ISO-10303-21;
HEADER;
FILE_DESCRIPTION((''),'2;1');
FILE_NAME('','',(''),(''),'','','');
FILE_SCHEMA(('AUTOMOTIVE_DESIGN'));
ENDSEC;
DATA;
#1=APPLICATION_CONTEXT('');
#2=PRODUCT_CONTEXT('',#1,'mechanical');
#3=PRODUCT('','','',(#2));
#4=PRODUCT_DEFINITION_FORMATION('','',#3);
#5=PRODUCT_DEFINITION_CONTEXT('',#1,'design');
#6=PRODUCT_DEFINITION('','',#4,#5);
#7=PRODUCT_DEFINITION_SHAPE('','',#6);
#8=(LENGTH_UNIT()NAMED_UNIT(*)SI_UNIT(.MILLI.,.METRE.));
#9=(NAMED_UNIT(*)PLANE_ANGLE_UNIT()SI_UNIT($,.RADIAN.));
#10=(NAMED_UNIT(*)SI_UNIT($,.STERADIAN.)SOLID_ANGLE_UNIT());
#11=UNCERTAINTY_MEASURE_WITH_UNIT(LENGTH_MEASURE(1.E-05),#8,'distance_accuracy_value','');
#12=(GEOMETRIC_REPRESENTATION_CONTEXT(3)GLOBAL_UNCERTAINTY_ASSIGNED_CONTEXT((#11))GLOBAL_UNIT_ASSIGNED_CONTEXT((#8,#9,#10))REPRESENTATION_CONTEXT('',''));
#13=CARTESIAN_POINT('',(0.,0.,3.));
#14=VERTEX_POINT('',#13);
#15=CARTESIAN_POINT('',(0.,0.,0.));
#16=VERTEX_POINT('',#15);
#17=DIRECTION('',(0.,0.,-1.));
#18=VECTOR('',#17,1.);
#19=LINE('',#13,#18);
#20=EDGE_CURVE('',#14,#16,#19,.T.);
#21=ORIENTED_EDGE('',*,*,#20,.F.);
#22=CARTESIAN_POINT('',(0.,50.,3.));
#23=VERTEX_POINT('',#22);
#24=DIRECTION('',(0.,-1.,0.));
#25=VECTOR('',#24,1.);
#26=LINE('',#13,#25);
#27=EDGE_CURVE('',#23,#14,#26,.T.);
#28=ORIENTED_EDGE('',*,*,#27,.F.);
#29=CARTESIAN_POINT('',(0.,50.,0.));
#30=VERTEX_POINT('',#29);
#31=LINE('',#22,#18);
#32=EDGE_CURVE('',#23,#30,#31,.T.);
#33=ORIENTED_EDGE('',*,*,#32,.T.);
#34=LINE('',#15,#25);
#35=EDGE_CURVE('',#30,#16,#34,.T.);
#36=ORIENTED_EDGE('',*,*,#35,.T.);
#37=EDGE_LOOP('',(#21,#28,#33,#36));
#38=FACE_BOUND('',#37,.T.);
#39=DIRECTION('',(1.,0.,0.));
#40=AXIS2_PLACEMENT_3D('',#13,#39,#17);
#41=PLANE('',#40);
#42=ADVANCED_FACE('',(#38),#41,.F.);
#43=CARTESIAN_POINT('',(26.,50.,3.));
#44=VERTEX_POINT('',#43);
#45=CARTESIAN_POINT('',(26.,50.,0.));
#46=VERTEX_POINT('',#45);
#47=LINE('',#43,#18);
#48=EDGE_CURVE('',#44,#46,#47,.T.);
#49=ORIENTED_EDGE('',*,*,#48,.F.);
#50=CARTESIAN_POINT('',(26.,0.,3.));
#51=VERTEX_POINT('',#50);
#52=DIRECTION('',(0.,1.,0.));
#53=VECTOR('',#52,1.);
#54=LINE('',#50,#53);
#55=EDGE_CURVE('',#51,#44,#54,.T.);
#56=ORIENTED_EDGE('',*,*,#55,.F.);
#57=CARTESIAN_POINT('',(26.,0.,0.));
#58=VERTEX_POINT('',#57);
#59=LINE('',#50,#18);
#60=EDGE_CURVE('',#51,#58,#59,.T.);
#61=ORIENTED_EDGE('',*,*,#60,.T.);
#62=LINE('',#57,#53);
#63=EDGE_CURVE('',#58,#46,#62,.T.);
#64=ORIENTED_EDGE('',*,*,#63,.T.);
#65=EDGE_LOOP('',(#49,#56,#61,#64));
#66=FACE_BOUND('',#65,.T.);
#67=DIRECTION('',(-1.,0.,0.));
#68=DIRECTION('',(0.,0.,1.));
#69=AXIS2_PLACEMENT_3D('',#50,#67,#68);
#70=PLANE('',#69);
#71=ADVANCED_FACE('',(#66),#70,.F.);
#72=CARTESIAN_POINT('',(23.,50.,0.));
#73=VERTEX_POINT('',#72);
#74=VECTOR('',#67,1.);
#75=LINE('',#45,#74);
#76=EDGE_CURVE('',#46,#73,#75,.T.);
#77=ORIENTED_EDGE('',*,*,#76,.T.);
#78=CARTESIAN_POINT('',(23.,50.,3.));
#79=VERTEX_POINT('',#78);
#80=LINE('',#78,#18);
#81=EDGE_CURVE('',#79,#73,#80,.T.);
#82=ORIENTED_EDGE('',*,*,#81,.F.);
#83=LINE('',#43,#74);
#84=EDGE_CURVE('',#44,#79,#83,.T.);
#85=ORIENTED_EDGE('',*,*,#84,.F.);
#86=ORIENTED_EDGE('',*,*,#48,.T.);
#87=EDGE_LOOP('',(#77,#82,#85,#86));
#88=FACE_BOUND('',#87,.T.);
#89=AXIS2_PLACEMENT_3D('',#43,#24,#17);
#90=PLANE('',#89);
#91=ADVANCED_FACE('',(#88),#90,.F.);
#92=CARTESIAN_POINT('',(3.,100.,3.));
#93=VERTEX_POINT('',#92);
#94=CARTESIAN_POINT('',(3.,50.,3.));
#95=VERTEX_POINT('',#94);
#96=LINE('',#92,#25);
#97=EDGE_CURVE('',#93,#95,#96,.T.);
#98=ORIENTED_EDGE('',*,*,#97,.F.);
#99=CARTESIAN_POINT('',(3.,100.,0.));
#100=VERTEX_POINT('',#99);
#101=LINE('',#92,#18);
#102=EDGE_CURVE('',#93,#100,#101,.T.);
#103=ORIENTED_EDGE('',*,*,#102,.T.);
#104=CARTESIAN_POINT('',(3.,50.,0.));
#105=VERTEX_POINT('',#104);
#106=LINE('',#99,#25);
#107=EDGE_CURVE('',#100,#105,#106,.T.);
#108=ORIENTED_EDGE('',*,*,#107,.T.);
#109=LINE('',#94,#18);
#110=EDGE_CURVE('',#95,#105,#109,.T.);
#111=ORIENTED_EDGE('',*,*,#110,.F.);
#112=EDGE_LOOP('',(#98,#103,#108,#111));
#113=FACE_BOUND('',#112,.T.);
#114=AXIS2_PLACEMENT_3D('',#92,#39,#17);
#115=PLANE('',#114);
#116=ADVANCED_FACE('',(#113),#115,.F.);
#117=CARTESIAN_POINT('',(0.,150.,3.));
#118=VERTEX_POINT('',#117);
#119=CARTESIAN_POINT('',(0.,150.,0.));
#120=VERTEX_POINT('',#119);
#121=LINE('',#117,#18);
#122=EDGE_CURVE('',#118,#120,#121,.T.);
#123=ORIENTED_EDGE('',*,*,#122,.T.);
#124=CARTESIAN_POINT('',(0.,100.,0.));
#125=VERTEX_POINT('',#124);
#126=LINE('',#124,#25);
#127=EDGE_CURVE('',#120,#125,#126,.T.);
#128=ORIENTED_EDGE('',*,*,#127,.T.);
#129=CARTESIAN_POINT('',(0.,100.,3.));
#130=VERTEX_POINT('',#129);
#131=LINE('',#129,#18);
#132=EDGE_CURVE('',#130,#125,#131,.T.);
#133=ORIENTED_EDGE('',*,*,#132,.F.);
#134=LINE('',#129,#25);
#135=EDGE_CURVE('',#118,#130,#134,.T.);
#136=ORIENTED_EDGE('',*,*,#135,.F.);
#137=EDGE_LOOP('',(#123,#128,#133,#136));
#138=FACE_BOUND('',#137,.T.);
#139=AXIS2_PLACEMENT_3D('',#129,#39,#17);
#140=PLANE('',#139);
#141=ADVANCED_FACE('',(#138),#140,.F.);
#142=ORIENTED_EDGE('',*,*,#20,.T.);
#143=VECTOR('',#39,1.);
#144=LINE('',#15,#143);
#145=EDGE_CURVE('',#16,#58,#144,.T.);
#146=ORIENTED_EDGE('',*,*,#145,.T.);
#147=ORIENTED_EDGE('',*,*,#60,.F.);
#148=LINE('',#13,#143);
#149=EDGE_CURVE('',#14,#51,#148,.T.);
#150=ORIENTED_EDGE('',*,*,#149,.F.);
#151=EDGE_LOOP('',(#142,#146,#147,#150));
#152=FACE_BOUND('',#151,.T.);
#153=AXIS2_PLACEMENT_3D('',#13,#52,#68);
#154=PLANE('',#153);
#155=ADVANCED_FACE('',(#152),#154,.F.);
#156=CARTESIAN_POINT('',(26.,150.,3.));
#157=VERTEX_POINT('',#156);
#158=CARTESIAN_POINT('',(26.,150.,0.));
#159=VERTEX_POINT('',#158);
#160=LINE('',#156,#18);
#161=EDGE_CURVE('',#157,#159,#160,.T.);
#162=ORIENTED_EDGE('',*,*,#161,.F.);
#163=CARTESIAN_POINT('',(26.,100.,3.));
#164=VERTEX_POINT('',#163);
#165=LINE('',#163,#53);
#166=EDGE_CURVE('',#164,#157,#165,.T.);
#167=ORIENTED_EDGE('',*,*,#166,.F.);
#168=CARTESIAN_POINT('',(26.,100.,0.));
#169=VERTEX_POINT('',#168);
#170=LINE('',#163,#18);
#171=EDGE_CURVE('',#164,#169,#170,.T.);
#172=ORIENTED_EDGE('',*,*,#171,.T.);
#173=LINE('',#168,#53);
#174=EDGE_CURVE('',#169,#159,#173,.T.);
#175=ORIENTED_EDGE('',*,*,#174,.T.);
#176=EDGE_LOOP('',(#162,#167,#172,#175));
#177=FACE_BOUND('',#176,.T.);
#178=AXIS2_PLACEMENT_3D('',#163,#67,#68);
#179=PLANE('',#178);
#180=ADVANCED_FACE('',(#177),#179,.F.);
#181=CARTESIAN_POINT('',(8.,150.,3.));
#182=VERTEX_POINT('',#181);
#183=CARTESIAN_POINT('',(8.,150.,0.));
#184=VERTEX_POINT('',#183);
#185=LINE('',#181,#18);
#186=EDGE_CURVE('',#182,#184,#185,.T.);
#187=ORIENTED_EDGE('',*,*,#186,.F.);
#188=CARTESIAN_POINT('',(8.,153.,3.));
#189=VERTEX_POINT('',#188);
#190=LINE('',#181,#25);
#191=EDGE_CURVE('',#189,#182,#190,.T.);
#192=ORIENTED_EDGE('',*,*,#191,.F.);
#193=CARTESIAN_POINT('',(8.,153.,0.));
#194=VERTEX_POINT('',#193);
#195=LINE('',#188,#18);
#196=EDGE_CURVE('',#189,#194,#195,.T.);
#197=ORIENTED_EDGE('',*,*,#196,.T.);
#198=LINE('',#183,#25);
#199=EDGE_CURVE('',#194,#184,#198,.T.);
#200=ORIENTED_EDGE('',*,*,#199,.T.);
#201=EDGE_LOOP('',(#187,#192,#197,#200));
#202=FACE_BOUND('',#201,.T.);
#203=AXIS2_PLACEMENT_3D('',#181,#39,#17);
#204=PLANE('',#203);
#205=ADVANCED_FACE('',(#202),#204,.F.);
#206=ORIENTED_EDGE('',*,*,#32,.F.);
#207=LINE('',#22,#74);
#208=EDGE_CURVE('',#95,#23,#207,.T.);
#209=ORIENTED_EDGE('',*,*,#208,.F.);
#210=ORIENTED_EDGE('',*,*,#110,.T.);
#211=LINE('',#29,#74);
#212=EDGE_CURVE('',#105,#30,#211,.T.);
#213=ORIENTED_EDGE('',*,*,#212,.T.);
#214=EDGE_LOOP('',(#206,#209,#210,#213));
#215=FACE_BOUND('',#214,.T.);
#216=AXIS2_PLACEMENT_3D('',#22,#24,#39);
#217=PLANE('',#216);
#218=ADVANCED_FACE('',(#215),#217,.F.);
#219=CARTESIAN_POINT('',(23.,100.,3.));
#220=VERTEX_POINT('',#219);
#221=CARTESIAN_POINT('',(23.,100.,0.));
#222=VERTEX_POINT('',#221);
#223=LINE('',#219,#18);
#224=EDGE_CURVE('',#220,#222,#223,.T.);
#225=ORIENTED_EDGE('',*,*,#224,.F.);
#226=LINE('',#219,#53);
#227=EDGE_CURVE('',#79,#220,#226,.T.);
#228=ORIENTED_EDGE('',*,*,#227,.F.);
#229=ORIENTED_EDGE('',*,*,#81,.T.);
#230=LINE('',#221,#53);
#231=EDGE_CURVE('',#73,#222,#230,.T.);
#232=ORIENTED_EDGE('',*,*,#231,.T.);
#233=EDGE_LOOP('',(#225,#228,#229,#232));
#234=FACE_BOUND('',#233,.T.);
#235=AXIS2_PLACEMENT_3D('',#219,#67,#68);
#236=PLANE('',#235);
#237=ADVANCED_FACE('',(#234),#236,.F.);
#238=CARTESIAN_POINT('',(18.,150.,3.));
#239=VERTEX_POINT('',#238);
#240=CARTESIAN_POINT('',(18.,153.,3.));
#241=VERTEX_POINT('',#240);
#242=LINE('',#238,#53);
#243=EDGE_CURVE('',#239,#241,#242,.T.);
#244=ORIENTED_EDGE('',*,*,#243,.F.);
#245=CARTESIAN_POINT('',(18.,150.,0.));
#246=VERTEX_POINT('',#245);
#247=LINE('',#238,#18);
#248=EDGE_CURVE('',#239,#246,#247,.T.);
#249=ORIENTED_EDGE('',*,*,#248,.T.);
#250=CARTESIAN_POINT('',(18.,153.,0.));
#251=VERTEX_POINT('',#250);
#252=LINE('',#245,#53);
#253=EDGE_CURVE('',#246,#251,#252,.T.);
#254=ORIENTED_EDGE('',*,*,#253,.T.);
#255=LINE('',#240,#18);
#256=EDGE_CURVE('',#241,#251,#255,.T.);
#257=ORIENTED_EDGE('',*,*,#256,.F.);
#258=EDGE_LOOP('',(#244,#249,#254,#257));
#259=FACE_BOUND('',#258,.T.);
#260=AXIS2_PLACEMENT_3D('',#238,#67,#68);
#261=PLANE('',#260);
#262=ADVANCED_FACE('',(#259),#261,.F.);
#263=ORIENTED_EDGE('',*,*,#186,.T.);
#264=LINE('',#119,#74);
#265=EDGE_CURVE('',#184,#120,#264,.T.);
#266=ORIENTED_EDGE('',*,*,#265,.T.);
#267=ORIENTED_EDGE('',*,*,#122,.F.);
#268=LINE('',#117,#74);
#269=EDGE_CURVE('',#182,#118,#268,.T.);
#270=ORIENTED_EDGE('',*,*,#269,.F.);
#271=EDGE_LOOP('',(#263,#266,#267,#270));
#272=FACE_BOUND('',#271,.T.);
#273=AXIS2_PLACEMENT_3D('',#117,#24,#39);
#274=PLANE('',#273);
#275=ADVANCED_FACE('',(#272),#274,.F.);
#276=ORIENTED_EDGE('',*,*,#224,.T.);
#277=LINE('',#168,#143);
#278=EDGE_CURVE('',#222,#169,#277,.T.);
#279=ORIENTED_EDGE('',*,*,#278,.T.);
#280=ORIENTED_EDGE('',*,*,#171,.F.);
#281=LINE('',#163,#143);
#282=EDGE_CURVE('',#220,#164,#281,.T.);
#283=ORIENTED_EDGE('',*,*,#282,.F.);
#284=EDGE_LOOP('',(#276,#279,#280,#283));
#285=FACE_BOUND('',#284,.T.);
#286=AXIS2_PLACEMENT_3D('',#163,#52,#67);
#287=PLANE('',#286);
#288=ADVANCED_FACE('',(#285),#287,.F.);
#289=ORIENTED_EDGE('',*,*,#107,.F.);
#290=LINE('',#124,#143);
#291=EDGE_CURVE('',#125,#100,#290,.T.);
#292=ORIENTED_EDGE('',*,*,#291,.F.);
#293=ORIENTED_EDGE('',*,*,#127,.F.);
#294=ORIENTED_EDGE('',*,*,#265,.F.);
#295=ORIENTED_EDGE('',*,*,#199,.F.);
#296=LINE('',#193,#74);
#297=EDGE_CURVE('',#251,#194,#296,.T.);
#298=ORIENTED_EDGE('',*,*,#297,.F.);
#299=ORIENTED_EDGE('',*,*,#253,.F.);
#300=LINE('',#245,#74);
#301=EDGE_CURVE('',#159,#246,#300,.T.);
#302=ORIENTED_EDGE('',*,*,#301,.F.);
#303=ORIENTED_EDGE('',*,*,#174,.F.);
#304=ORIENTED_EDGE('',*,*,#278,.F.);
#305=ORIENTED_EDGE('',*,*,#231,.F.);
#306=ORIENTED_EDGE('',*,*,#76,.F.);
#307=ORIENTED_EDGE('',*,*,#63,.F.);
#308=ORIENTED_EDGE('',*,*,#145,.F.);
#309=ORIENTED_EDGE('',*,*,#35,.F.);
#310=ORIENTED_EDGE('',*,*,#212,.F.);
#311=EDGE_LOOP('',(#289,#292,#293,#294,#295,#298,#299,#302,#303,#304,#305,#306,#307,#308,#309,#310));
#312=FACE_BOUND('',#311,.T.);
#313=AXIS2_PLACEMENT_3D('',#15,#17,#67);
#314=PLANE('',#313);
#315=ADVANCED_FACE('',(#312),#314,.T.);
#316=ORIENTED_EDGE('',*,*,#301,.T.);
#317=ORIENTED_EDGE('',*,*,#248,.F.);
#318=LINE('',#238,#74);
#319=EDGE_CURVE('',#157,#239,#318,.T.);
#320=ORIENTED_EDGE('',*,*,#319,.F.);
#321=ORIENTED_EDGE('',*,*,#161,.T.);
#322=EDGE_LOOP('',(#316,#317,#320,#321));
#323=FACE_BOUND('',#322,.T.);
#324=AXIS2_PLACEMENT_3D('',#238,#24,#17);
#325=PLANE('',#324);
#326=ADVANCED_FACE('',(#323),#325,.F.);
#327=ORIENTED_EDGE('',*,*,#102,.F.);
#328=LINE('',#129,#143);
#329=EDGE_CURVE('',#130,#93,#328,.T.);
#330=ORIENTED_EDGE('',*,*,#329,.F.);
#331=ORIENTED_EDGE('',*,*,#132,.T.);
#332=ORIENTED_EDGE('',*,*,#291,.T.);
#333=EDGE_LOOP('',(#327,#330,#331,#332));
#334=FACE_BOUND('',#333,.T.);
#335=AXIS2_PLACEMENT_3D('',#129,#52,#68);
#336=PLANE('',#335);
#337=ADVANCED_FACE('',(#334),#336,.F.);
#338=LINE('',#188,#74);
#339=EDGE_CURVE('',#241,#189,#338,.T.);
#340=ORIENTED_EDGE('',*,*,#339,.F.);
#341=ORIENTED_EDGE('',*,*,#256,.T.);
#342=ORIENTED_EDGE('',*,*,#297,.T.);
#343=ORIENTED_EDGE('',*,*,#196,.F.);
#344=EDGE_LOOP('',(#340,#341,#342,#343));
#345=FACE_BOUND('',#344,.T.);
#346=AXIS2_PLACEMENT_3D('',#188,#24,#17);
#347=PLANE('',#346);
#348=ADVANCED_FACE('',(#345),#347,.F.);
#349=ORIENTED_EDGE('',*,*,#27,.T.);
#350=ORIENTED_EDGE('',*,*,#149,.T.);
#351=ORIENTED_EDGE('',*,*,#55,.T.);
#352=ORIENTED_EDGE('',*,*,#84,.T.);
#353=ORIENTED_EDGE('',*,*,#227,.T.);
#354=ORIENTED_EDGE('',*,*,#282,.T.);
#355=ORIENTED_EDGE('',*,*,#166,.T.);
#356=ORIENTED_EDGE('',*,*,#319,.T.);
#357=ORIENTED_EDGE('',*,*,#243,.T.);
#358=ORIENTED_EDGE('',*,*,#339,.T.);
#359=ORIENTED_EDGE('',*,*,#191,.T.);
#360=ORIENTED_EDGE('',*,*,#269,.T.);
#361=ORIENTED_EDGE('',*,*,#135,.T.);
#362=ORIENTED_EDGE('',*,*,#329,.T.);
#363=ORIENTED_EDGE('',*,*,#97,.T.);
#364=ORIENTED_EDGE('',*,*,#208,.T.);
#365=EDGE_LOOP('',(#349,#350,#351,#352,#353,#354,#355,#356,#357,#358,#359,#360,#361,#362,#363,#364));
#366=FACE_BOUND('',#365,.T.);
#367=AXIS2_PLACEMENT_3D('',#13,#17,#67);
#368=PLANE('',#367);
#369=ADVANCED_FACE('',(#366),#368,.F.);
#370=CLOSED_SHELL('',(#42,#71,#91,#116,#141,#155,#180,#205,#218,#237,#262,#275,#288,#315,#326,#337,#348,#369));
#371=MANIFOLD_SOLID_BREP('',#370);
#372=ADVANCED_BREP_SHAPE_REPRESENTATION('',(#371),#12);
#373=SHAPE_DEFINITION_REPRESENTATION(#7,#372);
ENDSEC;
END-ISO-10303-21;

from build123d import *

# Parameters (mm, degrees)
BOSS_EXTRUDE1_DEPTH = 3


with BuildPart() as part:
    # Sketch1 → Boss-Extrude1 (new body)
    with BuildSketch(Plane.XY):
        Polygon((0, 100), (0, 150), (8, 150), (8, 153), (18, 153), (18, 150), (26, 150), (26, 100), (23, 100), (23, 50), (26, 50), (26, 0), (0, 0), (0, 50), (3, 50), (3, 100), align=None)
    extrude(amount=BOSS_EXTRUDE1_DEPTH)


solid = part.part
